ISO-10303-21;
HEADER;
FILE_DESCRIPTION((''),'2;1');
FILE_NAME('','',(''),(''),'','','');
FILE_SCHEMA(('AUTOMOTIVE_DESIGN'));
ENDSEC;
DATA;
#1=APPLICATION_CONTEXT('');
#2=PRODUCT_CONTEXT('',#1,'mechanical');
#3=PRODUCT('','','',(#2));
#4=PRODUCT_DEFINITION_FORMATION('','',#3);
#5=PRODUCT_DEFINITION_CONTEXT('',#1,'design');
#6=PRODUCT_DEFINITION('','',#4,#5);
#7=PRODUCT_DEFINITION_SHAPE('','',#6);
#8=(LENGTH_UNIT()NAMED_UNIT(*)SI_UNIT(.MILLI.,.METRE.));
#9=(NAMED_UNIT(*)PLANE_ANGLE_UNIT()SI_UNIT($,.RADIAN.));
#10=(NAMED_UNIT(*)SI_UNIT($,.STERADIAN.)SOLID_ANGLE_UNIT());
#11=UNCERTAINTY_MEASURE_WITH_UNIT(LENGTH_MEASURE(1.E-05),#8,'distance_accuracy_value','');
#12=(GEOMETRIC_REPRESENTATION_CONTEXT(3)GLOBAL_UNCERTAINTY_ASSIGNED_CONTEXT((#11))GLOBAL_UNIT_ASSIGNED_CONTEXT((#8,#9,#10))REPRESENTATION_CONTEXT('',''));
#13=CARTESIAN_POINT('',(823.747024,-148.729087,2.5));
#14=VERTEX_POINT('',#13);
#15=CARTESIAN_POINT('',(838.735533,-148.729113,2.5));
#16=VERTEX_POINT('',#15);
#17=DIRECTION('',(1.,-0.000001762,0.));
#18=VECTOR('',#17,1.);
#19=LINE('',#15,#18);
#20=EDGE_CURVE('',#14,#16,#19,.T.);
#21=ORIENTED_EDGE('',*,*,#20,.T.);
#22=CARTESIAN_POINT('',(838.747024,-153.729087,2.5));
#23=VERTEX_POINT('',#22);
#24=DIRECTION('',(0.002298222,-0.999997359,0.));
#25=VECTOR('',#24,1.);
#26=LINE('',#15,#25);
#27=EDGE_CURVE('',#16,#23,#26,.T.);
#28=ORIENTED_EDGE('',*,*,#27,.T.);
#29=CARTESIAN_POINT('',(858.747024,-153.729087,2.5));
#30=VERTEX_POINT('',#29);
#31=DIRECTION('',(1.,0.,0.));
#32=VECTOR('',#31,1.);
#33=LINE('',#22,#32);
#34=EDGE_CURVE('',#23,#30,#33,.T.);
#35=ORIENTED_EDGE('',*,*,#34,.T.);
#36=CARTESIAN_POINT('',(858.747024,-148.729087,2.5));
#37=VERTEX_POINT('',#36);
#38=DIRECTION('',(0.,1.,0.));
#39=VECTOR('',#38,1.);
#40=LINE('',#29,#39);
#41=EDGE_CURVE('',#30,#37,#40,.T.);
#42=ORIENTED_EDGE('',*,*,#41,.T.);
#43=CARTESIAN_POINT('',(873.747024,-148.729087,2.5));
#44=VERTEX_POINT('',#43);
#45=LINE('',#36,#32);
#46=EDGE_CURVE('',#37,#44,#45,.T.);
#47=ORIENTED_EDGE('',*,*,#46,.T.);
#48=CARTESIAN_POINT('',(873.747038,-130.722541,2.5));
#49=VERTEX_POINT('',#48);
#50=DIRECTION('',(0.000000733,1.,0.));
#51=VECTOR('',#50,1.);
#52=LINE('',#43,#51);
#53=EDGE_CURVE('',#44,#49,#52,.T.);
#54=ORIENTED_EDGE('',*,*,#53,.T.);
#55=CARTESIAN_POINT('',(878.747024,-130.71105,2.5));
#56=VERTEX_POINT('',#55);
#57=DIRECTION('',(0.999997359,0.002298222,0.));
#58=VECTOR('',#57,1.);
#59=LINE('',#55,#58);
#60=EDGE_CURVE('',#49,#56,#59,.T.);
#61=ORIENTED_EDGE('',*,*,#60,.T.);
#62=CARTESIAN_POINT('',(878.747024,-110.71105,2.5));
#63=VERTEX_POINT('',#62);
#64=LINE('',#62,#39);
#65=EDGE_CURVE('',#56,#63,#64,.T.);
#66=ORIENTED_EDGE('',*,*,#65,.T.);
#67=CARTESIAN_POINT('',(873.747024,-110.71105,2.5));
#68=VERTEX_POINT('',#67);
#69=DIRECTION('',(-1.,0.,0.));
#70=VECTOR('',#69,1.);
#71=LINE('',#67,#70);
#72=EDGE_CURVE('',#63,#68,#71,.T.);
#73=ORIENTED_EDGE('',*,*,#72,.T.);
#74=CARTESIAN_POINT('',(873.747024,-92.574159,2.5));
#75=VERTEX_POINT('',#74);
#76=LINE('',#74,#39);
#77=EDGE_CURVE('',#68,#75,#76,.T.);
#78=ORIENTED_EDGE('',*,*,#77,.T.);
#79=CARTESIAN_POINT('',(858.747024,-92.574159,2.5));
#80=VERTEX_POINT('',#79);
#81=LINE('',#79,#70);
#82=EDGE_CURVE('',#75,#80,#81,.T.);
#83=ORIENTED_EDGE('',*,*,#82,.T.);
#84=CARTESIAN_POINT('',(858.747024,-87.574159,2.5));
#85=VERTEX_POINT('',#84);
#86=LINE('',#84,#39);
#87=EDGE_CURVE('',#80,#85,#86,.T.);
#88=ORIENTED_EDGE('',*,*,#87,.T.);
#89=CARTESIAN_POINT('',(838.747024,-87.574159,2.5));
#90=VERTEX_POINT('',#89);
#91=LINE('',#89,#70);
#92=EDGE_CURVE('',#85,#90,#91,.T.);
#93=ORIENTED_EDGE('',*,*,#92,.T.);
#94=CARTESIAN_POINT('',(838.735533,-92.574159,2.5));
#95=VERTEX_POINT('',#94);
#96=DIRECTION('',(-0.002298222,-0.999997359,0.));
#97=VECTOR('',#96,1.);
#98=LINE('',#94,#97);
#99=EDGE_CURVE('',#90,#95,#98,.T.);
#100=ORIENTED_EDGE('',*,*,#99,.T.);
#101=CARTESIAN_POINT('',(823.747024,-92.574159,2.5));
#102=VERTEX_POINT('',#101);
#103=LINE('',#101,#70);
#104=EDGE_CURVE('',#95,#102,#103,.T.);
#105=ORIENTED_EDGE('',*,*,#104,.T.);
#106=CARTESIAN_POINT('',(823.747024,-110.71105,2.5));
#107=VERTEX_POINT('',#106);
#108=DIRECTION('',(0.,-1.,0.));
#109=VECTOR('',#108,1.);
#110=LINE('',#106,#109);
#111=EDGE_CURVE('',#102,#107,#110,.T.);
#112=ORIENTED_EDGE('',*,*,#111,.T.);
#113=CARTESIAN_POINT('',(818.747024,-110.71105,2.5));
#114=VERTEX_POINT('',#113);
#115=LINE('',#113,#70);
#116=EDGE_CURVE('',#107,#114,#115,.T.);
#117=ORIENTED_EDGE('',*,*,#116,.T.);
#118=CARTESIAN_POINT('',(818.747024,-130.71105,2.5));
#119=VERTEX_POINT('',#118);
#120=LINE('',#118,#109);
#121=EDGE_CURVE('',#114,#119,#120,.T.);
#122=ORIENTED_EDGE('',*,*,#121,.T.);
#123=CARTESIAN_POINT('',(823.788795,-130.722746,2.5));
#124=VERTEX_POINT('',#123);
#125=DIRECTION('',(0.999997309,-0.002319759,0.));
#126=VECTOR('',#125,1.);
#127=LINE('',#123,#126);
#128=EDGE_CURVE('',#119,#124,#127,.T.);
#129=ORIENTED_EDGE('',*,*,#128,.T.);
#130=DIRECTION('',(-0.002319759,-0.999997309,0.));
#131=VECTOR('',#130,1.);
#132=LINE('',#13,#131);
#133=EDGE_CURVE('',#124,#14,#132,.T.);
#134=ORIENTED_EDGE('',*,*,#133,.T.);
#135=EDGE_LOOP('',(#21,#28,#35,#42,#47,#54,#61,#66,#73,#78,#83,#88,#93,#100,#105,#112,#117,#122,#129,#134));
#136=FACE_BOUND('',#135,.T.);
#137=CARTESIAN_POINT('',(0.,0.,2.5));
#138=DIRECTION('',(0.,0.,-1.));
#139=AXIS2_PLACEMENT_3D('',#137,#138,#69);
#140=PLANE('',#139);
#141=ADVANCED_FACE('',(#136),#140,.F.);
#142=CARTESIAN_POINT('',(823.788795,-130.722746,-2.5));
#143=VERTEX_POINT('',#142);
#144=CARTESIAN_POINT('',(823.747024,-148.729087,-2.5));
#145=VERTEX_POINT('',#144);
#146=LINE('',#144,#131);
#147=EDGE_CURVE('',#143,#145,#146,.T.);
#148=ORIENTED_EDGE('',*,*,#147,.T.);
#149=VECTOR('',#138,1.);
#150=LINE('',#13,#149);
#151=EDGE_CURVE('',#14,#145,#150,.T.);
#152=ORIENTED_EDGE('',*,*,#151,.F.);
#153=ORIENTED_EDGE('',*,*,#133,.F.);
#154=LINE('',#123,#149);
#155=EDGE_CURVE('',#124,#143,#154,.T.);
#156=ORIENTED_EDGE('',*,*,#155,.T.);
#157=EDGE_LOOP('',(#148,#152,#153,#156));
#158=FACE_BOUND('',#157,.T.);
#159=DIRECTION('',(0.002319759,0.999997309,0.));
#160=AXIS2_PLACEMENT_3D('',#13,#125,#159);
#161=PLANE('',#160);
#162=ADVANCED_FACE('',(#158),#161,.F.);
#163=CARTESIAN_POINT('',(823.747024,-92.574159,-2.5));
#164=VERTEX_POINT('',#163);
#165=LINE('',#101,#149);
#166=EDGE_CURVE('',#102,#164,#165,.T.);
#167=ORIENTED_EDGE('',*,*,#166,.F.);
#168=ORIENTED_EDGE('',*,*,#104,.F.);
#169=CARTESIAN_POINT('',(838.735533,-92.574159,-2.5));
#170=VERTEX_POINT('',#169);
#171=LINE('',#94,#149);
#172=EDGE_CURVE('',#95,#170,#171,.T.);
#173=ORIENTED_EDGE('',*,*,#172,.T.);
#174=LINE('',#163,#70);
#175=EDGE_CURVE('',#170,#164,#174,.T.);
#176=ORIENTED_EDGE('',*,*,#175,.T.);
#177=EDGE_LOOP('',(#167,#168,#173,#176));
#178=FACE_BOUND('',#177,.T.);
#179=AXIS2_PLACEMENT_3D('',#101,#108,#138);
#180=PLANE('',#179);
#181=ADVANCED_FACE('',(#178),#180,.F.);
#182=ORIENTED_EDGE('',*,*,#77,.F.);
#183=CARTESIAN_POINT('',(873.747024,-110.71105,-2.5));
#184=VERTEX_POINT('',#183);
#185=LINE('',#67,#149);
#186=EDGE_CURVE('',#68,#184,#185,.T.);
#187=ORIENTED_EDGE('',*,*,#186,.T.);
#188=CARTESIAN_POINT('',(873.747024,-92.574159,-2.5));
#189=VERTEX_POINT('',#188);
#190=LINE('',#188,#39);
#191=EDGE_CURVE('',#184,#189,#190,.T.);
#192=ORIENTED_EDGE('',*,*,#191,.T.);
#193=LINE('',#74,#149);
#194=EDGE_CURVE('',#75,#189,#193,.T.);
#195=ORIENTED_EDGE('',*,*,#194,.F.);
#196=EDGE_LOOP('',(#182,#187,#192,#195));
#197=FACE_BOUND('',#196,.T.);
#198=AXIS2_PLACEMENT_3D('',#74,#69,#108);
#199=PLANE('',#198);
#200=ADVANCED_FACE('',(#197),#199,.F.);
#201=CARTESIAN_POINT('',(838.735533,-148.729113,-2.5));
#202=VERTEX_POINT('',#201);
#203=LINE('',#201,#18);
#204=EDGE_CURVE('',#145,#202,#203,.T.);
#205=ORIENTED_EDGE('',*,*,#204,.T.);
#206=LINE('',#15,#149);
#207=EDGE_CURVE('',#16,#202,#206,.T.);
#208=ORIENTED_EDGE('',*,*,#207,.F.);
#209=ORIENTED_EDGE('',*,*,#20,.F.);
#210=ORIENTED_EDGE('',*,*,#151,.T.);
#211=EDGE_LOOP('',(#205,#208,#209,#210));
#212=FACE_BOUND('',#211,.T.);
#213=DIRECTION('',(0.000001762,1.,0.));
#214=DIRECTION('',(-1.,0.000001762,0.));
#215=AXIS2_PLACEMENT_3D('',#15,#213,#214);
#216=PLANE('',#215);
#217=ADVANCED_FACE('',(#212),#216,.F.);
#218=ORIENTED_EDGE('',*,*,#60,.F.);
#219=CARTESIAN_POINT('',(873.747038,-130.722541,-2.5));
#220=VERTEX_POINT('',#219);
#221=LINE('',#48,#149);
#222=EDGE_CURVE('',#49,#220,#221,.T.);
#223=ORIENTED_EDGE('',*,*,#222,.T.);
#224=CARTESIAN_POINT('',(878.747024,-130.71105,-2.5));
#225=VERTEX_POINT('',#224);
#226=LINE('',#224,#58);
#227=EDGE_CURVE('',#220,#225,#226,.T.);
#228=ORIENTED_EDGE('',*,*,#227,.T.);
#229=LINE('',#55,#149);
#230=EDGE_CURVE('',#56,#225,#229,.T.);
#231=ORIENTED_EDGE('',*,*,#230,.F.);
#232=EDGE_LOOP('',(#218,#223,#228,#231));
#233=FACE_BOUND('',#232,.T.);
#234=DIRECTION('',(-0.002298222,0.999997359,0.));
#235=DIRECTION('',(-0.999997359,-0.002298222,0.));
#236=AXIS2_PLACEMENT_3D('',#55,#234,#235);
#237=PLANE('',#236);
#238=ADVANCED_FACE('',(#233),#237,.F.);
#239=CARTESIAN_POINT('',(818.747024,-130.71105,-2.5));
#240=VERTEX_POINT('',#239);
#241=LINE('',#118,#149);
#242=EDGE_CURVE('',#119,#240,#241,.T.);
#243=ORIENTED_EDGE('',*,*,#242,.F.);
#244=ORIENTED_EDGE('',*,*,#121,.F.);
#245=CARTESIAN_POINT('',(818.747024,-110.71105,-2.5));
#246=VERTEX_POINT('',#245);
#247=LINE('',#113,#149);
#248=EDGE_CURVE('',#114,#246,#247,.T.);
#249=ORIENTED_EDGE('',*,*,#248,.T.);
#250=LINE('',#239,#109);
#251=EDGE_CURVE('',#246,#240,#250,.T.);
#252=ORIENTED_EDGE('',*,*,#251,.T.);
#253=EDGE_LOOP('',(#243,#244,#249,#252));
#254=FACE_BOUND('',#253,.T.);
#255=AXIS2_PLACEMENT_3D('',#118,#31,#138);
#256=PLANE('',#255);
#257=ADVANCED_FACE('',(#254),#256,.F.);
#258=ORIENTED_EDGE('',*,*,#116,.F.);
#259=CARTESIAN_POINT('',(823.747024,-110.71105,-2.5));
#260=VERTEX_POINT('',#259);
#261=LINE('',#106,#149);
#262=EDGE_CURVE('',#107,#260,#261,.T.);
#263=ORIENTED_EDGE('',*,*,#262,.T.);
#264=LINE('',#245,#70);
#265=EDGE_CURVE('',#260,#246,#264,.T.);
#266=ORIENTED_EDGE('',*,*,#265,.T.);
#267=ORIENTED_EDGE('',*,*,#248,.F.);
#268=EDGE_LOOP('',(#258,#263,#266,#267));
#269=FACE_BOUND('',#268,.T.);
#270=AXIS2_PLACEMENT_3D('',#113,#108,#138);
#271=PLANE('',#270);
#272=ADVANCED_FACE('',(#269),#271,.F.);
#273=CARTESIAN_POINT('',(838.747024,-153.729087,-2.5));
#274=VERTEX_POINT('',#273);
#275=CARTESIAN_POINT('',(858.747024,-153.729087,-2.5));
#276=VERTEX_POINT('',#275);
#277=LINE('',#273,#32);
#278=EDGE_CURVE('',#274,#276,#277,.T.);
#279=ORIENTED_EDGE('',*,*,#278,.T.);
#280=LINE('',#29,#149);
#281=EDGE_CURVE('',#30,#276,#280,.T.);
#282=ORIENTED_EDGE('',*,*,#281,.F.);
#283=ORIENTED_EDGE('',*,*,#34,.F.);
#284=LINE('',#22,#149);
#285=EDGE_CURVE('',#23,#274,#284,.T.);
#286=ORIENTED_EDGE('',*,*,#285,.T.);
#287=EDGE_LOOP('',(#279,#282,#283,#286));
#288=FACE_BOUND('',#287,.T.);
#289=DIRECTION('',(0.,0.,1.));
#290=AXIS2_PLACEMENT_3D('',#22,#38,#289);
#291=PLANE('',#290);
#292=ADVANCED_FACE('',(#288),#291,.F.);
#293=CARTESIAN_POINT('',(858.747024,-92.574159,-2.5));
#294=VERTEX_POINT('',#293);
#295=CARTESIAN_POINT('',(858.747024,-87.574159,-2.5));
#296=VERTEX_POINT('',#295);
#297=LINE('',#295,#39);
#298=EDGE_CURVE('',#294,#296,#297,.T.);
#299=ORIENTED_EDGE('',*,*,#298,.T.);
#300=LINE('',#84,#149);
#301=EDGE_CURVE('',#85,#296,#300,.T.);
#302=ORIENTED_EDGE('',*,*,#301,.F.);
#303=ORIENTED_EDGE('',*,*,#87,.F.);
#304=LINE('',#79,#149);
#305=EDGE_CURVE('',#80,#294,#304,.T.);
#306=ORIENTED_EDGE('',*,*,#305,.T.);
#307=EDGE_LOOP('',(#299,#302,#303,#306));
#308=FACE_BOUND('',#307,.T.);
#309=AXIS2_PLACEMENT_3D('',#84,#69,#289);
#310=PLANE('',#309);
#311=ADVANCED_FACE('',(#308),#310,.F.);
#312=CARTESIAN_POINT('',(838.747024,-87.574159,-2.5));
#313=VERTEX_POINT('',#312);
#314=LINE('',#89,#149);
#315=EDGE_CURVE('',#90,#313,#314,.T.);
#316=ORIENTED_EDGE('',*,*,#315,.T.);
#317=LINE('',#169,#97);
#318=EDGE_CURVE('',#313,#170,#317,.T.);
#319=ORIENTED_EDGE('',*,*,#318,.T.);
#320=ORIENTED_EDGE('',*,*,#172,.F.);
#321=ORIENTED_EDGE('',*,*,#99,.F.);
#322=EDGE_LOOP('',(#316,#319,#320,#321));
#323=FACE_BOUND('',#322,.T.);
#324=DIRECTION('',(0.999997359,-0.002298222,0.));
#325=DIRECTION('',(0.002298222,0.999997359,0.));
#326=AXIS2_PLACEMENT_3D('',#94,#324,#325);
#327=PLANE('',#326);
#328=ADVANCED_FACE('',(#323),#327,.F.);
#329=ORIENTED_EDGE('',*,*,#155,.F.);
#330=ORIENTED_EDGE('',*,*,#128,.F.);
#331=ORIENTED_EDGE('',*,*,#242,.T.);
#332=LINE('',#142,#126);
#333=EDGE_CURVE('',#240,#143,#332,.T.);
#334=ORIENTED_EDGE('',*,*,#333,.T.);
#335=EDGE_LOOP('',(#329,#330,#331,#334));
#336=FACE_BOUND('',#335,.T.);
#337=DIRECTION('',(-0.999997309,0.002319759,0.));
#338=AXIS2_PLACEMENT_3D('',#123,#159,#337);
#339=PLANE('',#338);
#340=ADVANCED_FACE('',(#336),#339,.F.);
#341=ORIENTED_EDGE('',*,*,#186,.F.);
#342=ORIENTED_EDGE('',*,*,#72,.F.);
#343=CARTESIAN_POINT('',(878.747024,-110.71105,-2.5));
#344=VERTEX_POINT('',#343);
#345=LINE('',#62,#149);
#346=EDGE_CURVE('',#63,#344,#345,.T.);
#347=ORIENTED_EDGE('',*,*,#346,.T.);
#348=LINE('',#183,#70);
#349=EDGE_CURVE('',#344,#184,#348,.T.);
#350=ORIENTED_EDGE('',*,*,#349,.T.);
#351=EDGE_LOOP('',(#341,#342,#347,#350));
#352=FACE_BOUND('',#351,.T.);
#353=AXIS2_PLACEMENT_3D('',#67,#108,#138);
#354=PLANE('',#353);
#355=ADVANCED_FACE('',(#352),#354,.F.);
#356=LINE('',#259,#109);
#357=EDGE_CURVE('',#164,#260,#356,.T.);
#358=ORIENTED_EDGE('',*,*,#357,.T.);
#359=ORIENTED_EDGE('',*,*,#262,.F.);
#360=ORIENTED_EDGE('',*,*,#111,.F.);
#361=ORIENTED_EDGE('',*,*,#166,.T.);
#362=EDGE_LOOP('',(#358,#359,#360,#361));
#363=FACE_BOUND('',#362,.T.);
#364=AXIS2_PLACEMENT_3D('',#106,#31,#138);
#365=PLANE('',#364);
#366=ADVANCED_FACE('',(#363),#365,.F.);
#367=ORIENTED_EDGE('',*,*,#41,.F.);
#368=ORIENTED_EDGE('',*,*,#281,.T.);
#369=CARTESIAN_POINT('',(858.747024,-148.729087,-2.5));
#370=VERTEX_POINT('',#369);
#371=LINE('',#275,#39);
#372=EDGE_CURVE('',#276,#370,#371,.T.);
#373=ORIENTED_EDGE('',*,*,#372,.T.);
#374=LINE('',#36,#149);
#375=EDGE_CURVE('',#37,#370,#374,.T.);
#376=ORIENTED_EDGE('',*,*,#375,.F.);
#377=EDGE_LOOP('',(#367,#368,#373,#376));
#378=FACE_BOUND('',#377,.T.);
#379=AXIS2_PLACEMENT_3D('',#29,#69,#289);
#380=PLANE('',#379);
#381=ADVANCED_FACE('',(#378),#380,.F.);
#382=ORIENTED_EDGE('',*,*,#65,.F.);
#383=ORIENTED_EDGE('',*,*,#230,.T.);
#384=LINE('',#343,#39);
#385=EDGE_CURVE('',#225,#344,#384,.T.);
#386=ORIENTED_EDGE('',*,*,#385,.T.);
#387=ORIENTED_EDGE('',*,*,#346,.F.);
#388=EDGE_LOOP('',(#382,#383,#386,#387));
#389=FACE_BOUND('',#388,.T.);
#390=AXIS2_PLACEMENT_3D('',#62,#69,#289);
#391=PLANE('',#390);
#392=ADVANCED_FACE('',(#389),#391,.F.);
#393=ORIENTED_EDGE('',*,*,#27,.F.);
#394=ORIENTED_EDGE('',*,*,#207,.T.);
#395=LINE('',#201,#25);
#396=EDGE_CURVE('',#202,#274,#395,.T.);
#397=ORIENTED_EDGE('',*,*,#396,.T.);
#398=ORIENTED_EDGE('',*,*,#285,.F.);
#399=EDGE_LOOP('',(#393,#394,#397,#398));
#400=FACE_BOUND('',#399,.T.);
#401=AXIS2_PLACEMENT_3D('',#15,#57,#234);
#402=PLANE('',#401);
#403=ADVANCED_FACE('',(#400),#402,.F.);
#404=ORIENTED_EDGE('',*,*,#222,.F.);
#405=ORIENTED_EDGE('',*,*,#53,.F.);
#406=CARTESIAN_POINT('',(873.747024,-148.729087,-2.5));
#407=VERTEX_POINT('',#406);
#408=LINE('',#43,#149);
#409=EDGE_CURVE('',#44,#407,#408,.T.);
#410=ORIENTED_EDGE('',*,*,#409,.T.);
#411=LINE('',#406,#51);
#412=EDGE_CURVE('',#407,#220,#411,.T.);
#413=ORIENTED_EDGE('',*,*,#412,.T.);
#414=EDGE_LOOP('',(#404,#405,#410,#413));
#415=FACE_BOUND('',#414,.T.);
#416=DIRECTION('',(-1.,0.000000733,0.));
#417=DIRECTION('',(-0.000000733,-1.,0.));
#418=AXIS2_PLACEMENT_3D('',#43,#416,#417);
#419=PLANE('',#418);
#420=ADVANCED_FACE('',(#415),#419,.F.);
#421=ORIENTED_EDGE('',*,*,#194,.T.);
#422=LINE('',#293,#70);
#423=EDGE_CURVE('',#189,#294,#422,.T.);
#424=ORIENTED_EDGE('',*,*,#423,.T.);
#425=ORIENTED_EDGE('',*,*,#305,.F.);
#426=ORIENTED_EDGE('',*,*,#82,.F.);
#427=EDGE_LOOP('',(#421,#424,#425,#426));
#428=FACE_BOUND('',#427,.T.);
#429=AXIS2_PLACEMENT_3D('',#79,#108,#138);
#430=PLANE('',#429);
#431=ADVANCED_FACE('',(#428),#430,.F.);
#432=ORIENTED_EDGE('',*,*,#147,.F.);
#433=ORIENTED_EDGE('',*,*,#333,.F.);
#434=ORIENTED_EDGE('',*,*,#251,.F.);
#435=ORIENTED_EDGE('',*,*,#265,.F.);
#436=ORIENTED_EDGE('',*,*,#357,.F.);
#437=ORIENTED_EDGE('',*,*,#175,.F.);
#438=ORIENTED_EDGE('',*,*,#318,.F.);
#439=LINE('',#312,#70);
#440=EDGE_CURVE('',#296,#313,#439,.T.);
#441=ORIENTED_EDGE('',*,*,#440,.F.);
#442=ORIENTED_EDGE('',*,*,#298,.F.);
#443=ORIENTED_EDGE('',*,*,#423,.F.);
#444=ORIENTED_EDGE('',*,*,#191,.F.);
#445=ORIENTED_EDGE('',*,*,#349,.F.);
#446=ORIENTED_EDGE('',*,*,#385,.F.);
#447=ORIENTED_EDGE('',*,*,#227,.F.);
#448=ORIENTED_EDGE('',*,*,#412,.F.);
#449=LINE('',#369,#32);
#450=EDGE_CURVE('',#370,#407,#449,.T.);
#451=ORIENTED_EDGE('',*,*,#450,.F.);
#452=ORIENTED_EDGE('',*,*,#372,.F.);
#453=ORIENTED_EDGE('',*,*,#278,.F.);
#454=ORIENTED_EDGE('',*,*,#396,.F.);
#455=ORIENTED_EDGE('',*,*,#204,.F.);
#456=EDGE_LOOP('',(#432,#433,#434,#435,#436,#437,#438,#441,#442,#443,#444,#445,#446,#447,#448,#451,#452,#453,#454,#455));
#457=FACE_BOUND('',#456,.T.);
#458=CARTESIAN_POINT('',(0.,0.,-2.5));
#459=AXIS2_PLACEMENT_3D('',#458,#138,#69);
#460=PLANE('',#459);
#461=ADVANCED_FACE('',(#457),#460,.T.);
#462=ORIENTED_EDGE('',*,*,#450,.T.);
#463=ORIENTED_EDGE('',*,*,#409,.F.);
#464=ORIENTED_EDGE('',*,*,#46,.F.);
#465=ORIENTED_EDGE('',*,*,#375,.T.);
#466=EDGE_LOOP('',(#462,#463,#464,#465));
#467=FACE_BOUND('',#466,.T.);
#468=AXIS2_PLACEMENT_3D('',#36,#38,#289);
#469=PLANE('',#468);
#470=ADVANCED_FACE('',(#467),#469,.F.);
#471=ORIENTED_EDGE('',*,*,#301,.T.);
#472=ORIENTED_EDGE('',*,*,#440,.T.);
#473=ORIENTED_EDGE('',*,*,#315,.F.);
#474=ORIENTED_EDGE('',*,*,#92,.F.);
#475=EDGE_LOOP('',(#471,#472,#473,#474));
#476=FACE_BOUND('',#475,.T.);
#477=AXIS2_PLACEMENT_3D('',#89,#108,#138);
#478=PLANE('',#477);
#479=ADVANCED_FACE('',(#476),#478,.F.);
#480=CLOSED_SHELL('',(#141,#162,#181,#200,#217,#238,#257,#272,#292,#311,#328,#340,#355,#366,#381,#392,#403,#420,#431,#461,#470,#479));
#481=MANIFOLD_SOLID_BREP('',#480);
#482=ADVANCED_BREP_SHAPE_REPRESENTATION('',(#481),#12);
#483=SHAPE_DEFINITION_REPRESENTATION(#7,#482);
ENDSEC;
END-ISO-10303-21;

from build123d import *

# Parameters (mm, degrees)
BOSS_EXTRUDE1_DEPTH = 2.5


with BuildPart() as part:
    # Sketch2 → Boss-Extrude1 (new, symmetric)
    with BuildSketch(Plane.XY):
        Polygon((838.735533319, -92.57415942), (838.747024458, -87.57415942), (858.747024458, -87.57415942), (858.747024458, -92.57415942), (873.747024458, -92.57415942), (873.747024458, -110.71105012), (878.747024458, -110.71105012), (878.747024458, -130.71105012), (873.747037663, -130.722541229), (873.747024458, -148.729086599), (858.747024458, -148.729086599), (858.747024458, -153.729086599), (838.747024458, -153.729086599), (838.73553338, -148.729113008), (823.747024458, -148.729086599), (823.788794943, -130.722745845), (818.747024458, -130.71105012), (818.747024458, -110.71105012), (823.747024458, -110.71105012), (823.747024458, -92.57415942), align=None)
    extrude(amount=BOSS_EXTRUDE1_DEPTH, both=True)


solid = part.part
